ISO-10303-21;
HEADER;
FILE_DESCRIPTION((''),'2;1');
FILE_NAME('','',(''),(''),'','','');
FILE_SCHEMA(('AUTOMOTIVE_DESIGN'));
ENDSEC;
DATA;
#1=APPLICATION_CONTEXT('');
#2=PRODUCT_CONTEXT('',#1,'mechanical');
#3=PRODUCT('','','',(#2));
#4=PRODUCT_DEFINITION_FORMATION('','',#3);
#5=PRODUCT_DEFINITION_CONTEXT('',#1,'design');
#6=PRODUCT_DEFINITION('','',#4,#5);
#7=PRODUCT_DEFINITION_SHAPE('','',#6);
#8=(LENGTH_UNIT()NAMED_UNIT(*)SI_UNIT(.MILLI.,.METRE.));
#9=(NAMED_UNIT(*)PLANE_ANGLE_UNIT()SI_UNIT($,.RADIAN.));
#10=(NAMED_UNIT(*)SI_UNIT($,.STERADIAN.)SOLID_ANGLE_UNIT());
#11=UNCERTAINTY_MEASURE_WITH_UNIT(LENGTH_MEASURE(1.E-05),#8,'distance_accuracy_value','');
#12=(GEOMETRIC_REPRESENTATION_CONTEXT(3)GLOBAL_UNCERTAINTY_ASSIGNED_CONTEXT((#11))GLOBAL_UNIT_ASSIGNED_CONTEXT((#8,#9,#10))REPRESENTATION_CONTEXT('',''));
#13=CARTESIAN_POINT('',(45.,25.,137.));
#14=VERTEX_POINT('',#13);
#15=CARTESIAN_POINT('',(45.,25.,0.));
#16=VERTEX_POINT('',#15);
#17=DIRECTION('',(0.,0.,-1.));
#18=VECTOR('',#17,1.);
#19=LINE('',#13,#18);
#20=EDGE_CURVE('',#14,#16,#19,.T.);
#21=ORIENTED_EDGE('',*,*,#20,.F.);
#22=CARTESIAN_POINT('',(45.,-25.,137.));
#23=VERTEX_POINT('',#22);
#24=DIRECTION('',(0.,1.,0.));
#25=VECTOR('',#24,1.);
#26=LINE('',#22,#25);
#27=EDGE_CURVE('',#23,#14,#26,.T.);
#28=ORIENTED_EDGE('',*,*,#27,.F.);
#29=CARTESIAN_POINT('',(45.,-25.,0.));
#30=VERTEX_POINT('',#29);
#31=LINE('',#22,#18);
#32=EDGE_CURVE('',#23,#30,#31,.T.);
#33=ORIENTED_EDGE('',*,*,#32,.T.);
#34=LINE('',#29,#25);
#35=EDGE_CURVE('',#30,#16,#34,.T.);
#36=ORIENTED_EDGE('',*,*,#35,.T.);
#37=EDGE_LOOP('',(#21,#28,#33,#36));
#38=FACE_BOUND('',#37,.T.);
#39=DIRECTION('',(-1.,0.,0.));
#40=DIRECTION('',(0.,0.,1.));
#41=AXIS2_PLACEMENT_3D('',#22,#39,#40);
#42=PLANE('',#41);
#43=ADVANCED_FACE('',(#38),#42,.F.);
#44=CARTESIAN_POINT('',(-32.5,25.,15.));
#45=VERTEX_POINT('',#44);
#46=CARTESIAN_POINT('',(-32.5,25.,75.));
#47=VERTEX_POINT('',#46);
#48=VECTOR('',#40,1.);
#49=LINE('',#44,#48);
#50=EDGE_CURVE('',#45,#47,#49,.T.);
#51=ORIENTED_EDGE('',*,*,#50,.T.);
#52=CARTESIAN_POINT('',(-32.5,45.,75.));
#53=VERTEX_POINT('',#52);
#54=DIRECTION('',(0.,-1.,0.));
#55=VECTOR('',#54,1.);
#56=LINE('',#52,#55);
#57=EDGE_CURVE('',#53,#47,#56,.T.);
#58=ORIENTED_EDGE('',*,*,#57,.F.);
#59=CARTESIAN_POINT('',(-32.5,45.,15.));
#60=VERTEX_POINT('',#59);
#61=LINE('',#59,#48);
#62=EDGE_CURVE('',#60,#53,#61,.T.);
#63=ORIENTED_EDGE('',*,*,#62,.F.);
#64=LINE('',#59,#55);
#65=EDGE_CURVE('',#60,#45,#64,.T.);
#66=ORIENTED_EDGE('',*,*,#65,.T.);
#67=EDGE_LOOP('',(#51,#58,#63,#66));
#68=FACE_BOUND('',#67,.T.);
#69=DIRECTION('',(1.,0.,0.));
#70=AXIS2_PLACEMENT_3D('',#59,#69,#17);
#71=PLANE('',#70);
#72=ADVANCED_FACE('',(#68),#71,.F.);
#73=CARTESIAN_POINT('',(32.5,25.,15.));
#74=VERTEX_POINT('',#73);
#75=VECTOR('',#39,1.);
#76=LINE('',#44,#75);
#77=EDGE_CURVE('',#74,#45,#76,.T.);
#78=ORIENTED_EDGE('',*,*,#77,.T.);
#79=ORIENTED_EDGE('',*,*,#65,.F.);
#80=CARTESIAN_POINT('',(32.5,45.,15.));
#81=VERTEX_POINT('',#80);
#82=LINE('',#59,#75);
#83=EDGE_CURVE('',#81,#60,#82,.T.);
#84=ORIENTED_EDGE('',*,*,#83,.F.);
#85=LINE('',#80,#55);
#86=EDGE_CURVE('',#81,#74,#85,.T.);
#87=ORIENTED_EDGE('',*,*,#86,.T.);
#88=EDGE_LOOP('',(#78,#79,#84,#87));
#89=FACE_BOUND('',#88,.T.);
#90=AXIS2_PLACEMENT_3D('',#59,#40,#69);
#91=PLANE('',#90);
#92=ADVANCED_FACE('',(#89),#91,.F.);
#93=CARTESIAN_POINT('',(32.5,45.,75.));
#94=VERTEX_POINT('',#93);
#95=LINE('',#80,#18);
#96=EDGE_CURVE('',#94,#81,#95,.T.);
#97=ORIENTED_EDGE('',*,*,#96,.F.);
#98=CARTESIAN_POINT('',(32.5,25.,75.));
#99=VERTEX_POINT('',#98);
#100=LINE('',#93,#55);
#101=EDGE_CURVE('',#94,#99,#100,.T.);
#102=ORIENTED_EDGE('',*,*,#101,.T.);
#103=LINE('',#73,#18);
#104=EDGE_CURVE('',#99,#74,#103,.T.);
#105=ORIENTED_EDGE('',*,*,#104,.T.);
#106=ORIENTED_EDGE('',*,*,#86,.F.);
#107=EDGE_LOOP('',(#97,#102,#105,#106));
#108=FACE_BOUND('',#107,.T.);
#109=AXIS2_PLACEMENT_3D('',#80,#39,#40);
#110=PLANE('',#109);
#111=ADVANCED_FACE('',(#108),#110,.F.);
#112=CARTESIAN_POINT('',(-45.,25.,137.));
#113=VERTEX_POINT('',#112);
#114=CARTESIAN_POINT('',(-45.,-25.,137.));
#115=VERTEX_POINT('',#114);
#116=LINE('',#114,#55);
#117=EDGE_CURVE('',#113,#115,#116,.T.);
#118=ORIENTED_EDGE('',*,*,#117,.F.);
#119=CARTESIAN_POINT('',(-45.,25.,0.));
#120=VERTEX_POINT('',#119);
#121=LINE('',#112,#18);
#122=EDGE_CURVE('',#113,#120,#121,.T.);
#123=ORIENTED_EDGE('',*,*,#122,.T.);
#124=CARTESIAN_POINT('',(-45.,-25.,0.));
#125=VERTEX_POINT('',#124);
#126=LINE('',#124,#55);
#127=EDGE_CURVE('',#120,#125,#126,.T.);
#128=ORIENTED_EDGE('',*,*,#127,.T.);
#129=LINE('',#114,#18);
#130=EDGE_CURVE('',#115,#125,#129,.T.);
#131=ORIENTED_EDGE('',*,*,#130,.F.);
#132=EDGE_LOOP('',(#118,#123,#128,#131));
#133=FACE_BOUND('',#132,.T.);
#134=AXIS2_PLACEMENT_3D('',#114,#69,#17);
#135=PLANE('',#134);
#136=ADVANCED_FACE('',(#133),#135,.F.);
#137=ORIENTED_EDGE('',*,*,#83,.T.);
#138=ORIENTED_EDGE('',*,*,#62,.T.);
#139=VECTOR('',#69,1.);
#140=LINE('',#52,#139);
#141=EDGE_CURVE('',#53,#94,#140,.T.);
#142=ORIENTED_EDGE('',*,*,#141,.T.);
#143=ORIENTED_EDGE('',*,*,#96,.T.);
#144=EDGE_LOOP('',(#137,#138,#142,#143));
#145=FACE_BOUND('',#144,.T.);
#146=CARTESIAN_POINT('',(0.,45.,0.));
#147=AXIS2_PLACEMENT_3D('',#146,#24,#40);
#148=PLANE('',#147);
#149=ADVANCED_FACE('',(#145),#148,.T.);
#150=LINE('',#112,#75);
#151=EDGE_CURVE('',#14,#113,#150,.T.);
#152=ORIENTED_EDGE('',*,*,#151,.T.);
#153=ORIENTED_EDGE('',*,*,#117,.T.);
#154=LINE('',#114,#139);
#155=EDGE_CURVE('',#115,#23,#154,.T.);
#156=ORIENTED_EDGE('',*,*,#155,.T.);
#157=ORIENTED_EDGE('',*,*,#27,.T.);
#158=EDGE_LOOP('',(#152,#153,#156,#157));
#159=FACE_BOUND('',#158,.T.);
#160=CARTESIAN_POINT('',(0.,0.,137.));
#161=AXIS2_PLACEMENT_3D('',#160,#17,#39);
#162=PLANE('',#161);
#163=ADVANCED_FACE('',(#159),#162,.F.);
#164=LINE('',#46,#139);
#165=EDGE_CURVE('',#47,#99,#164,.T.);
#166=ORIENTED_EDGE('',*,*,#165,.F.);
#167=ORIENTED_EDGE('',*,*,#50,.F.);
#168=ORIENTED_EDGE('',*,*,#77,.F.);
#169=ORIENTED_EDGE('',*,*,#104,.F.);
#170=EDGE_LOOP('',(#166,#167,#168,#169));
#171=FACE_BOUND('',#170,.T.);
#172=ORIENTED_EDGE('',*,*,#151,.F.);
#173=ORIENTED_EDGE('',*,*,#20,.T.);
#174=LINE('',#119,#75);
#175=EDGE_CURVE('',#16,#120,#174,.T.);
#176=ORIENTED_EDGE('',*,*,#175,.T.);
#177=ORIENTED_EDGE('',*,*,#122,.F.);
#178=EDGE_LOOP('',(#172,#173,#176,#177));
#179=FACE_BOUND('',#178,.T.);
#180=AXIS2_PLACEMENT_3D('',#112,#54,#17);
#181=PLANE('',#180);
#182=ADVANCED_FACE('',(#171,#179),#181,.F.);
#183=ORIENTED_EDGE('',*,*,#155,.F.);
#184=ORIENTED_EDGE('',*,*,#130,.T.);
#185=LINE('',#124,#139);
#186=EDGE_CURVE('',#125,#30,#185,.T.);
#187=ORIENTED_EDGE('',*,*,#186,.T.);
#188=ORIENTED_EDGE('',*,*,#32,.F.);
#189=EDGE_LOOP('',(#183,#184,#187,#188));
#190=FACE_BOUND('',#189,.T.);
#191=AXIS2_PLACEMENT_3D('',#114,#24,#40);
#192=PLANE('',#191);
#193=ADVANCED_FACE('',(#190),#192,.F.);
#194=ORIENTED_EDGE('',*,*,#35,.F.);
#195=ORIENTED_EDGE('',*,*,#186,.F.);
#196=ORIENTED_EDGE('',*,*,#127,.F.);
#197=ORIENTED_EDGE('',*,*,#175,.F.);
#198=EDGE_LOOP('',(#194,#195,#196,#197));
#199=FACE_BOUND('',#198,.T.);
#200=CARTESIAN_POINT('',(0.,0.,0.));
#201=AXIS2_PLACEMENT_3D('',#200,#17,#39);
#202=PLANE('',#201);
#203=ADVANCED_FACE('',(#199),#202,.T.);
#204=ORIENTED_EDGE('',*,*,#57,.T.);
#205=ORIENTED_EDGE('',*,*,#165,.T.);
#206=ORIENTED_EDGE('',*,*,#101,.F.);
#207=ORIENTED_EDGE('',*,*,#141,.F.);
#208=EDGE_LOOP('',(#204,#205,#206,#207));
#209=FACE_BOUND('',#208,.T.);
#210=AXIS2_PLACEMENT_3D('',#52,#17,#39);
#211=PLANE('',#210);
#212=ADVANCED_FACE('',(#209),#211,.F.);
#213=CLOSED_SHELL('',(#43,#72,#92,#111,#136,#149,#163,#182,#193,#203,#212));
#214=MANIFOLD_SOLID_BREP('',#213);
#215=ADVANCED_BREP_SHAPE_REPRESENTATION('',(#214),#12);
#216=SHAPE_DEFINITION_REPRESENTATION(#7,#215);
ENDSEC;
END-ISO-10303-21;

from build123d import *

# Parameters (mm, degrees)
SKIZZE1_W                       = 90
SKIZZE1_H                       = 50
AUFSATZ_LINEAR_AUSTRAGEN1_DEPTH = 137
SKIZZE2_W                       = 65
SKIZZE2_H                       = 60
AUFSATZ_LINEAR_AUSTRAGEN2_DEPTH = 20


with BuildPart() as part:
    # Skizze1 → Aufsatz-Linear austragen1 (new body)
    with BuildSketch(Plane.XY):
        Rectangle(SKIZZE1_W, SKIZZE1_H)
    extrude(amount=AUFSATZ_LINEAR_AUSTRAGEN1_DEPTH)

    # Skizze2 → Aufsatz-Linear austragen2 (add)
    with BuildSketch(Plane(origin=(0, 25, 0), x_dir=(1, 0, 0), z_dir=(0, 1, 0))):
        with Locations((0, -45)):
            Rectangle(SKIZZE2_W, SKIZZE2_H)
    extrude(amount=AUFSATZ_LINEAR_AUSTRAGEN2_DEPTH)


solid = part.part
